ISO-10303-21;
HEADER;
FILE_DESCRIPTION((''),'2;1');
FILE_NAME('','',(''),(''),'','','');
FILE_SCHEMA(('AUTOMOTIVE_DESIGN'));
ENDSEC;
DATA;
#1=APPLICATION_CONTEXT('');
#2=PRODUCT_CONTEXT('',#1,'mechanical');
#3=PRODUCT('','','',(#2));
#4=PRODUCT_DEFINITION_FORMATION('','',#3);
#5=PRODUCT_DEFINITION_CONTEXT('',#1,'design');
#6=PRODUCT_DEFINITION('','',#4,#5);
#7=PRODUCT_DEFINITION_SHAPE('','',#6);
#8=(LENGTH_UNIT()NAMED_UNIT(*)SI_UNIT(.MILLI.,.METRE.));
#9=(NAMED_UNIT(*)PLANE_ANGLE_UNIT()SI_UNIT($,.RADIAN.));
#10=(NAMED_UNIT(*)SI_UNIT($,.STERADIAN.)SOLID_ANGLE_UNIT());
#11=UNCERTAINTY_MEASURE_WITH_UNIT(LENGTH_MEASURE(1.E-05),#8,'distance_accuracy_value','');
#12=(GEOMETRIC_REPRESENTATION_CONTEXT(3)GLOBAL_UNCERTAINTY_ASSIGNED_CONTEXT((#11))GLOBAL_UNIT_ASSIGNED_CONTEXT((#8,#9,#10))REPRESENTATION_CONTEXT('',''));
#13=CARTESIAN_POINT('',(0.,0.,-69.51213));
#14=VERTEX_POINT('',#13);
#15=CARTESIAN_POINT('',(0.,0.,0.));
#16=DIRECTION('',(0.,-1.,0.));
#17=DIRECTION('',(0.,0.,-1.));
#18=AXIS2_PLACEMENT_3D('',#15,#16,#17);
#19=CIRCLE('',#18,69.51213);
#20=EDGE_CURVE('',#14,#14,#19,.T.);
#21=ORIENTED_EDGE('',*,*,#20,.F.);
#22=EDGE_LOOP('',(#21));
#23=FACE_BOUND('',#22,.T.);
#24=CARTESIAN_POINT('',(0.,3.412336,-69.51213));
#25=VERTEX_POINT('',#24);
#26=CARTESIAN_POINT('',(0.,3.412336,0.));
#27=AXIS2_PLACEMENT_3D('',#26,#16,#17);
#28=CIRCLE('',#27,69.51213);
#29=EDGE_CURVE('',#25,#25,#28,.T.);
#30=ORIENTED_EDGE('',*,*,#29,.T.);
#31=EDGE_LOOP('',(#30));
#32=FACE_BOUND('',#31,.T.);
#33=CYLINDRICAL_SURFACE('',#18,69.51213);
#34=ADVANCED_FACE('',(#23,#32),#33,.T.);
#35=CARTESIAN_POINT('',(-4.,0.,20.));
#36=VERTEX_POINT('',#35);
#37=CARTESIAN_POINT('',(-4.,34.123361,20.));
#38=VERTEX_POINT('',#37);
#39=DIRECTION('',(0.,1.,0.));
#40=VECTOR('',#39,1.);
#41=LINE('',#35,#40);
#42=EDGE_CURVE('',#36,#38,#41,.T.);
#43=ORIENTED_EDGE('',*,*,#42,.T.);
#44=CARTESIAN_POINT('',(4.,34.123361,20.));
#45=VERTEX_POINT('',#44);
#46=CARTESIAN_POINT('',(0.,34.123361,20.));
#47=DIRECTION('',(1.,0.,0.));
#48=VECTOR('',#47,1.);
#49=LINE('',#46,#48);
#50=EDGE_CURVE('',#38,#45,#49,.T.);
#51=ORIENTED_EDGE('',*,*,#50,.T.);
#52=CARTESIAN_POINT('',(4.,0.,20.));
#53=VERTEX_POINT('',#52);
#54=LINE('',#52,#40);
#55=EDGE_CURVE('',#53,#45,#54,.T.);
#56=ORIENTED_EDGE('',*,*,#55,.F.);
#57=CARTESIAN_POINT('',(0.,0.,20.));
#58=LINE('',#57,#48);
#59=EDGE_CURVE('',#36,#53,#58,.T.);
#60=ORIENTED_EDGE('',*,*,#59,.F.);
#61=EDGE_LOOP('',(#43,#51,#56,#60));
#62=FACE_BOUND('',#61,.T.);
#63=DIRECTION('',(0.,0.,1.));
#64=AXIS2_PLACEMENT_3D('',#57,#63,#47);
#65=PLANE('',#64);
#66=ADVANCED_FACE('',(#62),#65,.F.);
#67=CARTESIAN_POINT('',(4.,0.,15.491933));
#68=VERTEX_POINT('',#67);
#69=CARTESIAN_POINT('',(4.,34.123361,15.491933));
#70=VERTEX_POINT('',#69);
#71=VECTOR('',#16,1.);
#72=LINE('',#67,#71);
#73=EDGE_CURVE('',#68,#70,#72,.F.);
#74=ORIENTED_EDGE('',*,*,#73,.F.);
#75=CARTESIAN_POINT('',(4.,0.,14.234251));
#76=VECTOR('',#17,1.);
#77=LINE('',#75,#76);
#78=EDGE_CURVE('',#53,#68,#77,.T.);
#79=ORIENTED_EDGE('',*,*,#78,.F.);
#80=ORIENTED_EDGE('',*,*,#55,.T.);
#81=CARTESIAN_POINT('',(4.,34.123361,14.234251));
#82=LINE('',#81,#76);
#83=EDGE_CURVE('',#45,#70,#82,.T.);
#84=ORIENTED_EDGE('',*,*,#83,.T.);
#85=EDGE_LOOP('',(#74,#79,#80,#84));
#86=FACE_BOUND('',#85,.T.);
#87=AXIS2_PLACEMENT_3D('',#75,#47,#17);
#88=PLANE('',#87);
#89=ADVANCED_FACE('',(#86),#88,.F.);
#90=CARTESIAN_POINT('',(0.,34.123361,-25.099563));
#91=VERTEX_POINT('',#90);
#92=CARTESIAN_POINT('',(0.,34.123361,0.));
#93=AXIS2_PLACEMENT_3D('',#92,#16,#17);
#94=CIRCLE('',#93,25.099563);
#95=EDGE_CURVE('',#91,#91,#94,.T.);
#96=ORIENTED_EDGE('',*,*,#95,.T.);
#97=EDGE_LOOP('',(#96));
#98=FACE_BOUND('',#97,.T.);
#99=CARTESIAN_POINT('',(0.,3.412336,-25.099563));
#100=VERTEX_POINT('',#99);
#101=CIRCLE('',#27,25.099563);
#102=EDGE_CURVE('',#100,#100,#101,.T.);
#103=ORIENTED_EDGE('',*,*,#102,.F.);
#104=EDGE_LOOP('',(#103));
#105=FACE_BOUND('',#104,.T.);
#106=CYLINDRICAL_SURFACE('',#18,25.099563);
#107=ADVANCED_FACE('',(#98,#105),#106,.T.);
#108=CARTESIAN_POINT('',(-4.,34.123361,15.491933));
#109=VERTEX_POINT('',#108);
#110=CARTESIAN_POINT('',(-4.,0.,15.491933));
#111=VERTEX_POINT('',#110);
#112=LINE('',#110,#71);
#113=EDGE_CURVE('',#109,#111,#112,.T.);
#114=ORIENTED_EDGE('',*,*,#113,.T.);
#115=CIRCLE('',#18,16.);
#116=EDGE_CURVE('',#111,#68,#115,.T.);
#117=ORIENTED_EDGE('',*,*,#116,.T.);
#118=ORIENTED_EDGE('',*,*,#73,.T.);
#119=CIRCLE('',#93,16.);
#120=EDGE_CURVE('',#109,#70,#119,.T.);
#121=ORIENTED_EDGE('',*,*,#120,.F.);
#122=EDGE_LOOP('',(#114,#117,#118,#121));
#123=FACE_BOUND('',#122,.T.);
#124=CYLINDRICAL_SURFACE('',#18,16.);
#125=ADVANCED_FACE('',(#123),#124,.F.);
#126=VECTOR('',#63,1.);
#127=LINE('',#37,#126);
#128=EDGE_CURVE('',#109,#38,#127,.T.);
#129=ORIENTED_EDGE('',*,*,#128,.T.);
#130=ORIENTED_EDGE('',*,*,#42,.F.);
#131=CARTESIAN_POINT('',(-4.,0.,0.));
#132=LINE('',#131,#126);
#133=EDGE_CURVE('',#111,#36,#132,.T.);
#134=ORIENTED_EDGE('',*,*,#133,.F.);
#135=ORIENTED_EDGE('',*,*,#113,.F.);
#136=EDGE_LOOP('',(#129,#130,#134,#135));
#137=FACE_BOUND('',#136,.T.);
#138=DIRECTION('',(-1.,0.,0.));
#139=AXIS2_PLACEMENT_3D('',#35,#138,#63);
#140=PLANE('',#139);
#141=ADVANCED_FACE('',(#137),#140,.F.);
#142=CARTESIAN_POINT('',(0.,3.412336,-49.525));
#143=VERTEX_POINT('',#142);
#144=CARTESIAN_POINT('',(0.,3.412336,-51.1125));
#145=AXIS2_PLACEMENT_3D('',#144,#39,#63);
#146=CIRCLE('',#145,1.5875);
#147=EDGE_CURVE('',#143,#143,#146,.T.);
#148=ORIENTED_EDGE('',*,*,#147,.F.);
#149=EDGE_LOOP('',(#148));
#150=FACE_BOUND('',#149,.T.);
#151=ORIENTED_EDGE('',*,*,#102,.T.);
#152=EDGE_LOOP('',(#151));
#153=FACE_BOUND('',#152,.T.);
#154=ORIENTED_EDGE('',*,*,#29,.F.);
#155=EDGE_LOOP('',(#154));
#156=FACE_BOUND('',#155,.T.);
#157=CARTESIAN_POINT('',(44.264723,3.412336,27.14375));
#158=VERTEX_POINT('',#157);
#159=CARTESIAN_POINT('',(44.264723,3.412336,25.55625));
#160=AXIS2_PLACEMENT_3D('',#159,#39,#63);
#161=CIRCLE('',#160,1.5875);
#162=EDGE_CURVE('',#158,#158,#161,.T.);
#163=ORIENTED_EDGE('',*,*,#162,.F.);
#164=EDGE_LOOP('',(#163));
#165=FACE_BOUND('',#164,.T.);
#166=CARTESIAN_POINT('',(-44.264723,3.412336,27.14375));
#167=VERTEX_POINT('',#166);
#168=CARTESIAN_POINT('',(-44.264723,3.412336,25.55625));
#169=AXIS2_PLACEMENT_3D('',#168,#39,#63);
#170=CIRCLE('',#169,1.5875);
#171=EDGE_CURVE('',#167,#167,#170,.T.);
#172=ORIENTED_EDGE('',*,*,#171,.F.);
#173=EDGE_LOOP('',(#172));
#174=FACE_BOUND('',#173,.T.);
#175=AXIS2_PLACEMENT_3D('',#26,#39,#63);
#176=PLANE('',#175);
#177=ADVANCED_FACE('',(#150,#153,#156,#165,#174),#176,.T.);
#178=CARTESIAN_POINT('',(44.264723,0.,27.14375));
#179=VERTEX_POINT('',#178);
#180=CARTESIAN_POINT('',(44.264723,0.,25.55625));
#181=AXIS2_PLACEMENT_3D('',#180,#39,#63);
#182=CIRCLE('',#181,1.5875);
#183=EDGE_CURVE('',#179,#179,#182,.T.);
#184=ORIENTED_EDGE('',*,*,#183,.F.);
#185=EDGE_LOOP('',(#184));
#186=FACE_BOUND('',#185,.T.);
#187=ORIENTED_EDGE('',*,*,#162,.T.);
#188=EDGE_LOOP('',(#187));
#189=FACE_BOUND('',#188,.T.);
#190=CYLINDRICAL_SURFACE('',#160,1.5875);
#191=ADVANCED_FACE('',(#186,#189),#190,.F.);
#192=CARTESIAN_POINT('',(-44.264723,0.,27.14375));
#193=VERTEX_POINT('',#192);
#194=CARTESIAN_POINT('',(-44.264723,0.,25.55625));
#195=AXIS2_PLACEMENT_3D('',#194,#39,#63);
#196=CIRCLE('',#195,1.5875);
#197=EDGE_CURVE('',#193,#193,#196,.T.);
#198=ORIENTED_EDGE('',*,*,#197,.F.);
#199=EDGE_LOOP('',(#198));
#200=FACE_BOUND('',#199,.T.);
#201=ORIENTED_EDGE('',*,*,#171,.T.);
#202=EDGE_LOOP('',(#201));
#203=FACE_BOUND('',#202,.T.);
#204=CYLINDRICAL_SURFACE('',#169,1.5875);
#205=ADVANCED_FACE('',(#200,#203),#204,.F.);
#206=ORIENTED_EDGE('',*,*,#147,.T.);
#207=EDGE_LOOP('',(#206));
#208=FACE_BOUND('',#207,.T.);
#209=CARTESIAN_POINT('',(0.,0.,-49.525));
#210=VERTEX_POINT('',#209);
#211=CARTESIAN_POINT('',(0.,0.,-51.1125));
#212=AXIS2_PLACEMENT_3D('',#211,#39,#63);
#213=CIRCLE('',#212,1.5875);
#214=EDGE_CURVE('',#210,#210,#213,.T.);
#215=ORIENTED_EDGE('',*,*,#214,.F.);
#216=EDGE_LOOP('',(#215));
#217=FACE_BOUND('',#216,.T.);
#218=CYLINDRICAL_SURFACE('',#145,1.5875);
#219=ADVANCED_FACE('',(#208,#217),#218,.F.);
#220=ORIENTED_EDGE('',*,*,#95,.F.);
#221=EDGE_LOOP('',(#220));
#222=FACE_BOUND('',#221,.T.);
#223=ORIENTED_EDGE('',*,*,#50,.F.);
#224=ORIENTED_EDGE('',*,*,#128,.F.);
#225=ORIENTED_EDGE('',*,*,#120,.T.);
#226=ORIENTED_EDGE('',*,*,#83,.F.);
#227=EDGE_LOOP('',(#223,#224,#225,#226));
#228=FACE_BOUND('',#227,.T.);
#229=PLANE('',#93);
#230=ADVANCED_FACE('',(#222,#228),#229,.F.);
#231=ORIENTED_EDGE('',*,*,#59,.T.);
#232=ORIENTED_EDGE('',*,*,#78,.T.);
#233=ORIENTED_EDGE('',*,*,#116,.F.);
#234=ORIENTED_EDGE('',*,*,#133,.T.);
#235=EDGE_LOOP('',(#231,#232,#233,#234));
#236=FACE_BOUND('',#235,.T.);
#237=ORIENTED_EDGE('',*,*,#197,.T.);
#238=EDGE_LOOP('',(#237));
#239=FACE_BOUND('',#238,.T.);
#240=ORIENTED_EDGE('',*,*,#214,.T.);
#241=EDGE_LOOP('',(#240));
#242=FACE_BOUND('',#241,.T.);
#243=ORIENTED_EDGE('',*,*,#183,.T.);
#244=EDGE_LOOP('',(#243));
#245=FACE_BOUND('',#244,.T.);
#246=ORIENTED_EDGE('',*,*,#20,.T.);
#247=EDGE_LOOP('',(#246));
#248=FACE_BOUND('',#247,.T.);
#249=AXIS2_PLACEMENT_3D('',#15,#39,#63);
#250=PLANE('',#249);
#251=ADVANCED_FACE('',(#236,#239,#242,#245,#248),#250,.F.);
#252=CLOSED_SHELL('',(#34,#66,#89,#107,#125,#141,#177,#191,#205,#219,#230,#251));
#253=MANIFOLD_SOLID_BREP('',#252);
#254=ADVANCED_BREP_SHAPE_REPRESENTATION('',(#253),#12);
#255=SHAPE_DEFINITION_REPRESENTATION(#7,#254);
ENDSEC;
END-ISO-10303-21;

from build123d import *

# Parameters (mm, degrees)
F_1_8_0_125_DIAMETER_HOLE1_D = 3.175
CIRPATTERN2_COUNT            = 3
CIRPATTERN1_COUNT            = 3
CUT_EXTRUDE2_DEPTH           = 105.059003061


with BuildPart() as part:
    # Sketch1 → Revolve1 (revolve)
    with BuildSketch(Plane.XY, mode=Mode.PRIVATE) as revolve1_sk:
        Polygon((69.512129733, 0), (16, 0), (16, 34.123360884), (25.099562902, 34.123360884), (25.099562902, 3.412336088), (69.512129733, 3.412336088), align=None)
    revolve(revolve1_sk.sketch.rotate(Axis((0, 0, 0), (0, 1, 0)), 90), axis=Axis((0, 0, 0), (0, 1, 0)))

    # 1/8 (0.125) Diameter Hole1 (through all)
    with Locations(Plane(origin=(0, 3.412336088, -51.1125), x_dir=(0, 0, 1), z_dir=(0, 1, 0))):
        with Locations((0, 0)):
            f_1_8_0_125_diameter_hole1 = Hole(F_1_8_0_125_DIAMETER_HOLE1_D / 2)

    # CirPattern2: 1/8 (0.125) Diameter Hole1 ×3 about axis
    cirpattern2_axis = Axis((0, 0, 0), (0, 1, 0))
    for i in range(1, CIRPATTERN2_COUNT):
        add(f_1_8_0_125_diameter_hole1.rotate(cirpattern2_axis, i * 360 / CIRPATTERN2_COUNT), mode=Mode.SUBTRACT)

    # CirPattern1: 1/8 (0.125) Diameter Hole1 ×3 about axis
    cirpattern1_axis = Axis((0, 3.412336088, 0), (0, -1, 0))
    for i in range(1, CIRPATTERN1_COUNT):
        add(f_1_8_0_125_diameter_hole1.rotate(cirpattern1_axis, i * 360 / CIRPATTERN1_COUNT), mode=Mode.SUBTRACT)

    # Sketch4 → Cut-Extrude2 (cut, through all)
    with BuildSketch(Plane(origin=(0, 34.123360884, 0), x_dir=(1, 0, 0), z_dir=(0, 1, 0))):
        Polygon((0, -20), (4, -20), (4, -14.234250842), (-4, -14.234250842), (-4, -20), align=None)
    extrude(amount=-CUT_EXTRUDE2_DEPTH, mode=Mode.SUBTRACT)


solid = part.part
